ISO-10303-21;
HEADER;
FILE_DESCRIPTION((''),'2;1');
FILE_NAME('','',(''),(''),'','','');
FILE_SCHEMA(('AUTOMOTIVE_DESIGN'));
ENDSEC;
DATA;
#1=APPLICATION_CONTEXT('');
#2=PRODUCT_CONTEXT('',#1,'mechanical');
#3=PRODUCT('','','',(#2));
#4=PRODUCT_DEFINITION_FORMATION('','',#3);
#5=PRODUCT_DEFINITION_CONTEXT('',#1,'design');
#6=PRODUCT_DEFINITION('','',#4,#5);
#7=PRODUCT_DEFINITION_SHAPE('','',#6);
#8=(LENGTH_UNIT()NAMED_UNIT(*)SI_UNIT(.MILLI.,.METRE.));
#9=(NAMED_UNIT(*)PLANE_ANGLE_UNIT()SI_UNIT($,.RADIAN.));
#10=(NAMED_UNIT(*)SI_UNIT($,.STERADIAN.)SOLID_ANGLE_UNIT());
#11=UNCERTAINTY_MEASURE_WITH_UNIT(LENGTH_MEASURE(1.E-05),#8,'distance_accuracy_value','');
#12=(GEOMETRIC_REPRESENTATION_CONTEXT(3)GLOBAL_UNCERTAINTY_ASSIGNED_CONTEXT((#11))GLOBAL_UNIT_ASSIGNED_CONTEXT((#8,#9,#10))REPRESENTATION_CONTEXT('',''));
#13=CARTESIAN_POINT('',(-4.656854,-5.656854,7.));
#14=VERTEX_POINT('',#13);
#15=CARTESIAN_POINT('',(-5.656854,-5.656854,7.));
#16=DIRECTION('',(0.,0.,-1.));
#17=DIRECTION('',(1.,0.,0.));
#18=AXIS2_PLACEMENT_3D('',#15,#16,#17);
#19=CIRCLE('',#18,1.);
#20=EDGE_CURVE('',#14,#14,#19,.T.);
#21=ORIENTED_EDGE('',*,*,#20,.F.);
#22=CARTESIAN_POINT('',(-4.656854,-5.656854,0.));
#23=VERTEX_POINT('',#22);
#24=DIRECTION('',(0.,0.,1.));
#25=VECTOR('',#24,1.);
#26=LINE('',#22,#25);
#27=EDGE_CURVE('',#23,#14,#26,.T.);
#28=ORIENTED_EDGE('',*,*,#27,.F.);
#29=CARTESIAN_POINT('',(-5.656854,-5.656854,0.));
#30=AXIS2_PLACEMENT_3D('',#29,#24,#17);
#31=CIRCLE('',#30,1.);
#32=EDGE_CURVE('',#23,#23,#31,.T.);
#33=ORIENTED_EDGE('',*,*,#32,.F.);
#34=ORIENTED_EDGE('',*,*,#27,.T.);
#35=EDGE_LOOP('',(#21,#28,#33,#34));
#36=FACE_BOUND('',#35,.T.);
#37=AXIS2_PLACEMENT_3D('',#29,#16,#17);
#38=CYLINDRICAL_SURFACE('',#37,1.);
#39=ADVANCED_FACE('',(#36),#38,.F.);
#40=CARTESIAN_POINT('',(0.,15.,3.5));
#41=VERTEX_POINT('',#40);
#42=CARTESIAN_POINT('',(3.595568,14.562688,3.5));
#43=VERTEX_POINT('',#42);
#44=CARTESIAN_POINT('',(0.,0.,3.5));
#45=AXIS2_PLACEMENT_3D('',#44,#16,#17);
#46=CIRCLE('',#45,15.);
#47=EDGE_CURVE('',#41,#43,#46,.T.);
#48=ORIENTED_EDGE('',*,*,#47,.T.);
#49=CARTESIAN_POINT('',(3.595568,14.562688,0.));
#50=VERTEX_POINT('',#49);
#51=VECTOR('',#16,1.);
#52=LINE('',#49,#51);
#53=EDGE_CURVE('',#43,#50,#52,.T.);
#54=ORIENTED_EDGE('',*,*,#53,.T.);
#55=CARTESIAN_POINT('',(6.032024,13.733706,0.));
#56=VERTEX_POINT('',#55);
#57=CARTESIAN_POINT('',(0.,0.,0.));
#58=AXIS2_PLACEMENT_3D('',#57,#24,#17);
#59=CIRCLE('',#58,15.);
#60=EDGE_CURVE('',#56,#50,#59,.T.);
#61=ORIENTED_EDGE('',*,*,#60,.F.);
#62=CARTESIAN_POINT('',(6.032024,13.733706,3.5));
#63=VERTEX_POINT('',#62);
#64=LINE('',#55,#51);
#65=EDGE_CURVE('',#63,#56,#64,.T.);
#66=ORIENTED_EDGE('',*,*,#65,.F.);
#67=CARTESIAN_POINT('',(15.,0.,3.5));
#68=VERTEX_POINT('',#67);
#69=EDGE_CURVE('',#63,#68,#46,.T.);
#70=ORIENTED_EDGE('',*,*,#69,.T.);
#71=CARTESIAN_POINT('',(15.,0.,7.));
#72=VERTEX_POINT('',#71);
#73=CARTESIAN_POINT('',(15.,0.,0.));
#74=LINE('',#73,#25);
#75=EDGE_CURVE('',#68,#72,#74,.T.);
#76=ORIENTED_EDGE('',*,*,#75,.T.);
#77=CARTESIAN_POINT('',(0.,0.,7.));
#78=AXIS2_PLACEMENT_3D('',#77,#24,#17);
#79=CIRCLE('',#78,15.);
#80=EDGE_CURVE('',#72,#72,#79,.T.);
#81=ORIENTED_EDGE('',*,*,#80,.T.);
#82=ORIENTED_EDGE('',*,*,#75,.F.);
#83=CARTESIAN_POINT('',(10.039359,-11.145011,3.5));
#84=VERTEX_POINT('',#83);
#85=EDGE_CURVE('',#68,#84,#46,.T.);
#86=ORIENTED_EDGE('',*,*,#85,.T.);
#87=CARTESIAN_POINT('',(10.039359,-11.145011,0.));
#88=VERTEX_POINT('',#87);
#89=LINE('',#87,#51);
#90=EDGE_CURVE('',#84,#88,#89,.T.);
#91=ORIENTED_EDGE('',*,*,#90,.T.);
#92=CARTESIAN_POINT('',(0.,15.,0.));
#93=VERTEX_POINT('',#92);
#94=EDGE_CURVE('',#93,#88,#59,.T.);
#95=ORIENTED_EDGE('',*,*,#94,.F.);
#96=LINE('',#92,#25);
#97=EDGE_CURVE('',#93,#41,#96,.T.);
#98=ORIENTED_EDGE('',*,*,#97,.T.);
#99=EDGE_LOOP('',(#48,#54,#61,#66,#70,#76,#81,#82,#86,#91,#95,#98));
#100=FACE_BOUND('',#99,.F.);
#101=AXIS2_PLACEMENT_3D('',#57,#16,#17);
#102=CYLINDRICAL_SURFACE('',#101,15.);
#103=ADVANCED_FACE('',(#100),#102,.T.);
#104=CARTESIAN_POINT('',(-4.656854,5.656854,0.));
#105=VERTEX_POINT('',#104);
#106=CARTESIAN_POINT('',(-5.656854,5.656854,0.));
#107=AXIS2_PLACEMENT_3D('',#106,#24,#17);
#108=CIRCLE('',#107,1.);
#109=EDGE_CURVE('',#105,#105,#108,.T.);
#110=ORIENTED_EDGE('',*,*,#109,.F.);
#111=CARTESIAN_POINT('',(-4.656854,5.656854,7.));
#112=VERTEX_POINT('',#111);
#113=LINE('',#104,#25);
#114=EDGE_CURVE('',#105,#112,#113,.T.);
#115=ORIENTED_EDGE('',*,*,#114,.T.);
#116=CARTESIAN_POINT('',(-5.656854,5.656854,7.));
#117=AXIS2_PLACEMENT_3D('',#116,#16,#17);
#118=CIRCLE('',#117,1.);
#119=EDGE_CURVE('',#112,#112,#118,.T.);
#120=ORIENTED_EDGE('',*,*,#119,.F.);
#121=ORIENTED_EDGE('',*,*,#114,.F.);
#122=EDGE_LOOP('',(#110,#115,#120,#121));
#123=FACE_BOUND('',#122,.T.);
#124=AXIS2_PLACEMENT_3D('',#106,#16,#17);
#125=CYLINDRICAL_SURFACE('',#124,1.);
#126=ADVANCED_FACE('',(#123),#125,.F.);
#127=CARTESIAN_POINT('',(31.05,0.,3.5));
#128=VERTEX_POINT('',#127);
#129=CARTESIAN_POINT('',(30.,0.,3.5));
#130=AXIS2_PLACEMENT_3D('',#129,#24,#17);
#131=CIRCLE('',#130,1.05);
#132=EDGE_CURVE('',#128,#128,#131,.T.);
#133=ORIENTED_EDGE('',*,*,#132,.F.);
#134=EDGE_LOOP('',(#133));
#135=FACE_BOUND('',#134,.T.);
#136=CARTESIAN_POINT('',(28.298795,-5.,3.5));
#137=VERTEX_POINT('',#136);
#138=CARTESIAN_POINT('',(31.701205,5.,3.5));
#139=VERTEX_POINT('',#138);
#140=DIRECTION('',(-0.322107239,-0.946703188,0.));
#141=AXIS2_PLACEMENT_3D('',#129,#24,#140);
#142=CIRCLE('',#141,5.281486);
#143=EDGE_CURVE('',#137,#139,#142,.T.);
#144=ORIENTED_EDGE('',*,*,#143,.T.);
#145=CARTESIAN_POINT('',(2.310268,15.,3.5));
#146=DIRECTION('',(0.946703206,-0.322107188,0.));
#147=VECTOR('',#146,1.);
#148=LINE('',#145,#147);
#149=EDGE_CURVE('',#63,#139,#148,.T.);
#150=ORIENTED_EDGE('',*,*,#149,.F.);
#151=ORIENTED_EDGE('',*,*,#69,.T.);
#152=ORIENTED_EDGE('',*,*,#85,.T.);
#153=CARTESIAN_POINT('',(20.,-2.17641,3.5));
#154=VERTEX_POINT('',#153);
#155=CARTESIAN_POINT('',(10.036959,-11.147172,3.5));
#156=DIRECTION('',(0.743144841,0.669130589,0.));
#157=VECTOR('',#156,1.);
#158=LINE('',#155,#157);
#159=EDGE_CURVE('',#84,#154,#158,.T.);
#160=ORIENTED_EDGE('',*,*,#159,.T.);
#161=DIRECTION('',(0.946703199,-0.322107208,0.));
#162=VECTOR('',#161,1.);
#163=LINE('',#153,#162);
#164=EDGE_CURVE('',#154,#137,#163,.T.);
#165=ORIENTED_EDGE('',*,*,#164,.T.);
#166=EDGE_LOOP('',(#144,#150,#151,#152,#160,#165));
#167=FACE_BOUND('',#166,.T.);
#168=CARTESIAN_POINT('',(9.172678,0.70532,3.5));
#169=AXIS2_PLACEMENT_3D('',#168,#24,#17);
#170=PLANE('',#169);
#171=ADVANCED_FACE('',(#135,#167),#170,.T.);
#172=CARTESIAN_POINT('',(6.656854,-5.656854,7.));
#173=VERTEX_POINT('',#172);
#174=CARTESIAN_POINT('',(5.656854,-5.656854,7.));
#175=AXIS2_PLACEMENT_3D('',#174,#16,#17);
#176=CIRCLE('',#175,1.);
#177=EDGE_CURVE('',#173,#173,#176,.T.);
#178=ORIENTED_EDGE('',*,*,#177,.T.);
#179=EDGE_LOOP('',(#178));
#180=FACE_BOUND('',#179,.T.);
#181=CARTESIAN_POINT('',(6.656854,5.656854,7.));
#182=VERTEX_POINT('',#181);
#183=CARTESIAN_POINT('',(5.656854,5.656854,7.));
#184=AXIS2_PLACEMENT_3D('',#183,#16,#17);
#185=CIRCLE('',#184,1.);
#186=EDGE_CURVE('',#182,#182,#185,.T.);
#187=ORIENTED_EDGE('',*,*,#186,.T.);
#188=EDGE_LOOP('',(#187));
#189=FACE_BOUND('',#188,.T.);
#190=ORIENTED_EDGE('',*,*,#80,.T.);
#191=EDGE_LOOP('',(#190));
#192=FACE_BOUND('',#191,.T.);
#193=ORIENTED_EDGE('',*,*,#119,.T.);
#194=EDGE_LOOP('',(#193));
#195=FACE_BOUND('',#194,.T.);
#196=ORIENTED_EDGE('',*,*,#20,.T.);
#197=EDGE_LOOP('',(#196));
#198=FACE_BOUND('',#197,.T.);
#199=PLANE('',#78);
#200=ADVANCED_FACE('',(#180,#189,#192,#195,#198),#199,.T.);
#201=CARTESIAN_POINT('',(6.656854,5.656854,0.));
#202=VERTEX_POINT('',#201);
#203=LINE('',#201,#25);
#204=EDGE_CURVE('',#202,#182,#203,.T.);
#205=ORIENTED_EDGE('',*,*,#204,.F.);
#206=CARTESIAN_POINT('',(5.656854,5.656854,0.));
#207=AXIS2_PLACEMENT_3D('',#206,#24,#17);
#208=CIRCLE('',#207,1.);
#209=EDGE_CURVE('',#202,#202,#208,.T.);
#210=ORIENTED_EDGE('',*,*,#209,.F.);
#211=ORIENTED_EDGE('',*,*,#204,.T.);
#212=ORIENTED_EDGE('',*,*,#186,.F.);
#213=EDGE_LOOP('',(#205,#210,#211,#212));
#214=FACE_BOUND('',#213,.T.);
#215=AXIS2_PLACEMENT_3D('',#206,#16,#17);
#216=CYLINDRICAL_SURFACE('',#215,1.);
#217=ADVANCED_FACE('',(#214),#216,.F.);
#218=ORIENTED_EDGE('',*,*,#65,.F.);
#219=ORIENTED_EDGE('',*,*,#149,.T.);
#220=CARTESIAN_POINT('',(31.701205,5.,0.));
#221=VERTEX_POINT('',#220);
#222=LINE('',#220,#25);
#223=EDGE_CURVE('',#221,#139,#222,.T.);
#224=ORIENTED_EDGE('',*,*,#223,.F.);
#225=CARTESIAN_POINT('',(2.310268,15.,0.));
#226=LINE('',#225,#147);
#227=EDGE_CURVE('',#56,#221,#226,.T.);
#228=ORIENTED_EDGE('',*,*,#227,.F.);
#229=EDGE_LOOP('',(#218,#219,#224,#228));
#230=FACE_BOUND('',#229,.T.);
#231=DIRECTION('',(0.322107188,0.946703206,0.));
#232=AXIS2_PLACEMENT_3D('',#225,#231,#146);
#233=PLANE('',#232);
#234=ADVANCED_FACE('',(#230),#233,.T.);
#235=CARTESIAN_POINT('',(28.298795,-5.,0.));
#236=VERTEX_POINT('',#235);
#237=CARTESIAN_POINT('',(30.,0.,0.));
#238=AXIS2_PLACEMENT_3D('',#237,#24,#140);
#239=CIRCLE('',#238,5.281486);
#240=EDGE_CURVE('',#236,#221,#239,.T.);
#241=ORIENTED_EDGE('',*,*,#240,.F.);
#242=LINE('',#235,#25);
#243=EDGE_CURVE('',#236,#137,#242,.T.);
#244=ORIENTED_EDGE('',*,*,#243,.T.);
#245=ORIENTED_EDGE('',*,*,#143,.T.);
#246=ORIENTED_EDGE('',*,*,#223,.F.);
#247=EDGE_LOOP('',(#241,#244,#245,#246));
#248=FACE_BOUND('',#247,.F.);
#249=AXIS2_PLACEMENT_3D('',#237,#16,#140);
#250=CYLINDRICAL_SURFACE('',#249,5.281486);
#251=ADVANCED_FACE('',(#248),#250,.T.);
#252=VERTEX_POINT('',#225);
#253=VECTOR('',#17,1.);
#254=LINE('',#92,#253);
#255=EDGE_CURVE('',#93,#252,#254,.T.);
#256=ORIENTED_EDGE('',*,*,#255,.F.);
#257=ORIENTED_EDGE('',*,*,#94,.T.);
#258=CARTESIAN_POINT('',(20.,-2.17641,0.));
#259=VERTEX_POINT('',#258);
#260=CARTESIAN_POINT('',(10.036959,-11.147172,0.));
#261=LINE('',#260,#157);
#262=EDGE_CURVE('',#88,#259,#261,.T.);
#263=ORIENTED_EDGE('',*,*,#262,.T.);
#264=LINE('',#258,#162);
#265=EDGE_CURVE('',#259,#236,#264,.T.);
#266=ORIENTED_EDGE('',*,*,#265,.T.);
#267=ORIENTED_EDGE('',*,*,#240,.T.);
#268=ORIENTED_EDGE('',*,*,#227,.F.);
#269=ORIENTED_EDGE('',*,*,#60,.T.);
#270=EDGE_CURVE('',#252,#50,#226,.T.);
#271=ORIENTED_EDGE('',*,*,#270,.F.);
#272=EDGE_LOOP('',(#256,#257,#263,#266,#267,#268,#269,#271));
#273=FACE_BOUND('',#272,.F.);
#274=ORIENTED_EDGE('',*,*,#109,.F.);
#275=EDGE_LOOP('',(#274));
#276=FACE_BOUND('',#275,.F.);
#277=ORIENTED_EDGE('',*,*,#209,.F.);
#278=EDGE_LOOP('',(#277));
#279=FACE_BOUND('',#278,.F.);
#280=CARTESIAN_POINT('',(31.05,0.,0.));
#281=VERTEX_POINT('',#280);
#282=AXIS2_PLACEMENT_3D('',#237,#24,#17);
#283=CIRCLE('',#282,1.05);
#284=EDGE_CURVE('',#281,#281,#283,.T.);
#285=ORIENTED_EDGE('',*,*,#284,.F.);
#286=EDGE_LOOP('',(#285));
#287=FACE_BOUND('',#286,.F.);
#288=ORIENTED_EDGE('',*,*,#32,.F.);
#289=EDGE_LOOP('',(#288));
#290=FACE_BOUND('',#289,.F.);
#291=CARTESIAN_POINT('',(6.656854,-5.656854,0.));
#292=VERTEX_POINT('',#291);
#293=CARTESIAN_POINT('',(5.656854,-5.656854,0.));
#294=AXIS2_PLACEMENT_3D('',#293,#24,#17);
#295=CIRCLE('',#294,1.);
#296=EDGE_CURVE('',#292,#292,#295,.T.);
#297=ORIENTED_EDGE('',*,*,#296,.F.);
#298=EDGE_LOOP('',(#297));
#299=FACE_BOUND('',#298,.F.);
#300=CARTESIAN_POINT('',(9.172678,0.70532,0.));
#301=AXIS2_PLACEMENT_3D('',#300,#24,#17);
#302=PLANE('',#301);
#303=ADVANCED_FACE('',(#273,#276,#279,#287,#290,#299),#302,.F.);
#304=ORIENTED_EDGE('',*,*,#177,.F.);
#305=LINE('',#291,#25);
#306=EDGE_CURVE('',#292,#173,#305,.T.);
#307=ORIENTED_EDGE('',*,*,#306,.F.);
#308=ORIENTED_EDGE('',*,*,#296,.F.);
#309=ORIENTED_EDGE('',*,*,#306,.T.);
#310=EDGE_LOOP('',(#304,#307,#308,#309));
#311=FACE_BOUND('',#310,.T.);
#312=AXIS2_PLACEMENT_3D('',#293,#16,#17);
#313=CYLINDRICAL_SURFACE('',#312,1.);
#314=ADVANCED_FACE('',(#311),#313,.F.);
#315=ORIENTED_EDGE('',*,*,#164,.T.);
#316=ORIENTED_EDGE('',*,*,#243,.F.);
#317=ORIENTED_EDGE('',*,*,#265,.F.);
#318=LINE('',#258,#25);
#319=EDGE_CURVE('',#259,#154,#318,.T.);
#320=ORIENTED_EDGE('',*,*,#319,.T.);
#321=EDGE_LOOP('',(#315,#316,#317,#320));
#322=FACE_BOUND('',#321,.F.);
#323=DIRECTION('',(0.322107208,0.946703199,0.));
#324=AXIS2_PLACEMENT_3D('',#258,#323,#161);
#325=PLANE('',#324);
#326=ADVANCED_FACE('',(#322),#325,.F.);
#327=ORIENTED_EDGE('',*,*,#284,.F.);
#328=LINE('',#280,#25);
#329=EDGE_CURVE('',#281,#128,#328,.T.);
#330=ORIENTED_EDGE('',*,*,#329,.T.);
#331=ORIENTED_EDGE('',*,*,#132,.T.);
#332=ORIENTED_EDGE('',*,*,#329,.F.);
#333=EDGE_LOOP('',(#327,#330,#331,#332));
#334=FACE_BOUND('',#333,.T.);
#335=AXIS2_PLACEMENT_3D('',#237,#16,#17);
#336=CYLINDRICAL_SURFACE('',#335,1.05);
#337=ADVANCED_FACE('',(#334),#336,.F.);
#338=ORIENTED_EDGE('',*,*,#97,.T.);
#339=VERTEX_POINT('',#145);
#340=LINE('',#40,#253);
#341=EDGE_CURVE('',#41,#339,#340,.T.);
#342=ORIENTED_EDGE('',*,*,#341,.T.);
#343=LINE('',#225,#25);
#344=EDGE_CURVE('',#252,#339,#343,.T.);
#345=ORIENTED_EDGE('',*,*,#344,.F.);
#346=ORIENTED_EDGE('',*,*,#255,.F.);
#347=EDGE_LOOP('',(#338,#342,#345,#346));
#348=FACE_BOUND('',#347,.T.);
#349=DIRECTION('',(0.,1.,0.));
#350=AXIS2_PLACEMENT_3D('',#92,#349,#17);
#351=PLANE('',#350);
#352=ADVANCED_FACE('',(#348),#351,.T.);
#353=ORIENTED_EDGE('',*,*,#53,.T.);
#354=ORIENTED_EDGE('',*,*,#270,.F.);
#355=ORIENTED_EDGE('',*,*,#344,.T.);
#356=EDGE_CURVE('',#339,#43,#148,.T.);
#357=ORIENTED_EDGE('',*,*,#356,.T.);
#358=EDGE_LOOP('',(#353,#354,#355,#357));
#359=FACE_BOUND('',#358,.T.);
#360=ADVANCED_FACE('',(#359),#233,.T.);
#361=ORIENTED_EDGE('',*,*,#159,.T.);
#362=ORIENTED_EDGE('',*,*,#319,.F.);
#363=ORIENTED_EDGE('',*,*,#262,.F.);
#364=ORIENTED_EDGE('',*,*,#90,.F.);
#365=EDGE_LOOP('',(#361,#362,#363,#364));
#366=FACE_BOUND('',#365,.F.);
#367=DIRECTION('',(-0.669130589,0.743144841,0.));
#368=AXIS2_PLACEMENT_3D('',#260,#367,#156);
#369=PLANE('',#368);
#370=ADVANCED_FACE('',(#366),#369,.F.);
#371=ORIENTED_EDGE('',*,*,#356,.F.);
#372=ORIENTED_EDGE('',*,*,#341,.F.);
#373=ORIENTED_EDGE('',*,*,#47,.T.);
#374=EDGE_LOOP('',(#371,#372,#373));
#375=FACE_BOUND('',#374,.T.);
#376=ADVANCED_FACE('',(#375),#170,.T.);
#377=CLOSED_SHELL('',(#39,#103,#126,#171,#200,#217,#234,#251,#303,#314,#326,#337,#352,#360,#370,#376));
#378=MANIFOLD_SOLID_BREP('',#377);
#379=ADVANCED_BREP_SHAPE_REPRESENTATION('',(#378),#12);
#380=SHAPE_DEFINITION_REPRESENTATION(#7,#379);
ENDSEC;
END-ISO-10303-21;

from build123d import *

# Parameters (mm, degrees)
SKETCH_R     = 1.05
PAD_DEPTH    = 3.5
SKETCH001_R  = 15
PAD001_DEPTH = 7
SKETCH002_R  = 1
POCKET_DEPTH = 10


with BuildPart() as part:
    # Sketch → Pad (new body)
    with BuildSketch(Plane.XY):
        with BuildLine():
            ThreePointArc((0, 15), (-14.003706, -5.375519), (10.036959, -11.147172))
            Line((10.036959, -11.147172), (20, -2.17641))
            Line((20, -2.17641), (28.298795, -5))
            ThreePointArc((28.298795, -5), (35, -1.701205), (31.701205, 5))
            Line((2.310268, 15), (31.701205, 5))
            Line((0, 15), (2.310268, 15))
        make_face()
        with Locations((30, 0)):
            Circle(SKETCH_R, mode=Mode.SUBTRACT)
    extrude(amount=PAD_DEPTH)

    # Sketch001 → Pad001 (join)
    with BuildSketch(Plane.XY):
        Circle(SKETCH001_R)
    extrude(amount=PAD001_DEPTH)

    # Sketch002 → Pocket (cut)
    with BuildSketch(Plane.XY):
        with Locations((-5.656854, 5.656854)):
            Circle(SKETCH002_R)
        with Locations((5.656854, 5.656854)):
            Circle(SKETCH002_R)
        with Locations((5.656854, -5.656854)):
            Circle(SKETCH002_R)
        with Locations((-5.656854, -5.656854)):
            Circle(SKETCH002_R)
    extrude(amount=POCKET_DEPTH, mode=Mode.SUBTRACT)


solid = part.part
